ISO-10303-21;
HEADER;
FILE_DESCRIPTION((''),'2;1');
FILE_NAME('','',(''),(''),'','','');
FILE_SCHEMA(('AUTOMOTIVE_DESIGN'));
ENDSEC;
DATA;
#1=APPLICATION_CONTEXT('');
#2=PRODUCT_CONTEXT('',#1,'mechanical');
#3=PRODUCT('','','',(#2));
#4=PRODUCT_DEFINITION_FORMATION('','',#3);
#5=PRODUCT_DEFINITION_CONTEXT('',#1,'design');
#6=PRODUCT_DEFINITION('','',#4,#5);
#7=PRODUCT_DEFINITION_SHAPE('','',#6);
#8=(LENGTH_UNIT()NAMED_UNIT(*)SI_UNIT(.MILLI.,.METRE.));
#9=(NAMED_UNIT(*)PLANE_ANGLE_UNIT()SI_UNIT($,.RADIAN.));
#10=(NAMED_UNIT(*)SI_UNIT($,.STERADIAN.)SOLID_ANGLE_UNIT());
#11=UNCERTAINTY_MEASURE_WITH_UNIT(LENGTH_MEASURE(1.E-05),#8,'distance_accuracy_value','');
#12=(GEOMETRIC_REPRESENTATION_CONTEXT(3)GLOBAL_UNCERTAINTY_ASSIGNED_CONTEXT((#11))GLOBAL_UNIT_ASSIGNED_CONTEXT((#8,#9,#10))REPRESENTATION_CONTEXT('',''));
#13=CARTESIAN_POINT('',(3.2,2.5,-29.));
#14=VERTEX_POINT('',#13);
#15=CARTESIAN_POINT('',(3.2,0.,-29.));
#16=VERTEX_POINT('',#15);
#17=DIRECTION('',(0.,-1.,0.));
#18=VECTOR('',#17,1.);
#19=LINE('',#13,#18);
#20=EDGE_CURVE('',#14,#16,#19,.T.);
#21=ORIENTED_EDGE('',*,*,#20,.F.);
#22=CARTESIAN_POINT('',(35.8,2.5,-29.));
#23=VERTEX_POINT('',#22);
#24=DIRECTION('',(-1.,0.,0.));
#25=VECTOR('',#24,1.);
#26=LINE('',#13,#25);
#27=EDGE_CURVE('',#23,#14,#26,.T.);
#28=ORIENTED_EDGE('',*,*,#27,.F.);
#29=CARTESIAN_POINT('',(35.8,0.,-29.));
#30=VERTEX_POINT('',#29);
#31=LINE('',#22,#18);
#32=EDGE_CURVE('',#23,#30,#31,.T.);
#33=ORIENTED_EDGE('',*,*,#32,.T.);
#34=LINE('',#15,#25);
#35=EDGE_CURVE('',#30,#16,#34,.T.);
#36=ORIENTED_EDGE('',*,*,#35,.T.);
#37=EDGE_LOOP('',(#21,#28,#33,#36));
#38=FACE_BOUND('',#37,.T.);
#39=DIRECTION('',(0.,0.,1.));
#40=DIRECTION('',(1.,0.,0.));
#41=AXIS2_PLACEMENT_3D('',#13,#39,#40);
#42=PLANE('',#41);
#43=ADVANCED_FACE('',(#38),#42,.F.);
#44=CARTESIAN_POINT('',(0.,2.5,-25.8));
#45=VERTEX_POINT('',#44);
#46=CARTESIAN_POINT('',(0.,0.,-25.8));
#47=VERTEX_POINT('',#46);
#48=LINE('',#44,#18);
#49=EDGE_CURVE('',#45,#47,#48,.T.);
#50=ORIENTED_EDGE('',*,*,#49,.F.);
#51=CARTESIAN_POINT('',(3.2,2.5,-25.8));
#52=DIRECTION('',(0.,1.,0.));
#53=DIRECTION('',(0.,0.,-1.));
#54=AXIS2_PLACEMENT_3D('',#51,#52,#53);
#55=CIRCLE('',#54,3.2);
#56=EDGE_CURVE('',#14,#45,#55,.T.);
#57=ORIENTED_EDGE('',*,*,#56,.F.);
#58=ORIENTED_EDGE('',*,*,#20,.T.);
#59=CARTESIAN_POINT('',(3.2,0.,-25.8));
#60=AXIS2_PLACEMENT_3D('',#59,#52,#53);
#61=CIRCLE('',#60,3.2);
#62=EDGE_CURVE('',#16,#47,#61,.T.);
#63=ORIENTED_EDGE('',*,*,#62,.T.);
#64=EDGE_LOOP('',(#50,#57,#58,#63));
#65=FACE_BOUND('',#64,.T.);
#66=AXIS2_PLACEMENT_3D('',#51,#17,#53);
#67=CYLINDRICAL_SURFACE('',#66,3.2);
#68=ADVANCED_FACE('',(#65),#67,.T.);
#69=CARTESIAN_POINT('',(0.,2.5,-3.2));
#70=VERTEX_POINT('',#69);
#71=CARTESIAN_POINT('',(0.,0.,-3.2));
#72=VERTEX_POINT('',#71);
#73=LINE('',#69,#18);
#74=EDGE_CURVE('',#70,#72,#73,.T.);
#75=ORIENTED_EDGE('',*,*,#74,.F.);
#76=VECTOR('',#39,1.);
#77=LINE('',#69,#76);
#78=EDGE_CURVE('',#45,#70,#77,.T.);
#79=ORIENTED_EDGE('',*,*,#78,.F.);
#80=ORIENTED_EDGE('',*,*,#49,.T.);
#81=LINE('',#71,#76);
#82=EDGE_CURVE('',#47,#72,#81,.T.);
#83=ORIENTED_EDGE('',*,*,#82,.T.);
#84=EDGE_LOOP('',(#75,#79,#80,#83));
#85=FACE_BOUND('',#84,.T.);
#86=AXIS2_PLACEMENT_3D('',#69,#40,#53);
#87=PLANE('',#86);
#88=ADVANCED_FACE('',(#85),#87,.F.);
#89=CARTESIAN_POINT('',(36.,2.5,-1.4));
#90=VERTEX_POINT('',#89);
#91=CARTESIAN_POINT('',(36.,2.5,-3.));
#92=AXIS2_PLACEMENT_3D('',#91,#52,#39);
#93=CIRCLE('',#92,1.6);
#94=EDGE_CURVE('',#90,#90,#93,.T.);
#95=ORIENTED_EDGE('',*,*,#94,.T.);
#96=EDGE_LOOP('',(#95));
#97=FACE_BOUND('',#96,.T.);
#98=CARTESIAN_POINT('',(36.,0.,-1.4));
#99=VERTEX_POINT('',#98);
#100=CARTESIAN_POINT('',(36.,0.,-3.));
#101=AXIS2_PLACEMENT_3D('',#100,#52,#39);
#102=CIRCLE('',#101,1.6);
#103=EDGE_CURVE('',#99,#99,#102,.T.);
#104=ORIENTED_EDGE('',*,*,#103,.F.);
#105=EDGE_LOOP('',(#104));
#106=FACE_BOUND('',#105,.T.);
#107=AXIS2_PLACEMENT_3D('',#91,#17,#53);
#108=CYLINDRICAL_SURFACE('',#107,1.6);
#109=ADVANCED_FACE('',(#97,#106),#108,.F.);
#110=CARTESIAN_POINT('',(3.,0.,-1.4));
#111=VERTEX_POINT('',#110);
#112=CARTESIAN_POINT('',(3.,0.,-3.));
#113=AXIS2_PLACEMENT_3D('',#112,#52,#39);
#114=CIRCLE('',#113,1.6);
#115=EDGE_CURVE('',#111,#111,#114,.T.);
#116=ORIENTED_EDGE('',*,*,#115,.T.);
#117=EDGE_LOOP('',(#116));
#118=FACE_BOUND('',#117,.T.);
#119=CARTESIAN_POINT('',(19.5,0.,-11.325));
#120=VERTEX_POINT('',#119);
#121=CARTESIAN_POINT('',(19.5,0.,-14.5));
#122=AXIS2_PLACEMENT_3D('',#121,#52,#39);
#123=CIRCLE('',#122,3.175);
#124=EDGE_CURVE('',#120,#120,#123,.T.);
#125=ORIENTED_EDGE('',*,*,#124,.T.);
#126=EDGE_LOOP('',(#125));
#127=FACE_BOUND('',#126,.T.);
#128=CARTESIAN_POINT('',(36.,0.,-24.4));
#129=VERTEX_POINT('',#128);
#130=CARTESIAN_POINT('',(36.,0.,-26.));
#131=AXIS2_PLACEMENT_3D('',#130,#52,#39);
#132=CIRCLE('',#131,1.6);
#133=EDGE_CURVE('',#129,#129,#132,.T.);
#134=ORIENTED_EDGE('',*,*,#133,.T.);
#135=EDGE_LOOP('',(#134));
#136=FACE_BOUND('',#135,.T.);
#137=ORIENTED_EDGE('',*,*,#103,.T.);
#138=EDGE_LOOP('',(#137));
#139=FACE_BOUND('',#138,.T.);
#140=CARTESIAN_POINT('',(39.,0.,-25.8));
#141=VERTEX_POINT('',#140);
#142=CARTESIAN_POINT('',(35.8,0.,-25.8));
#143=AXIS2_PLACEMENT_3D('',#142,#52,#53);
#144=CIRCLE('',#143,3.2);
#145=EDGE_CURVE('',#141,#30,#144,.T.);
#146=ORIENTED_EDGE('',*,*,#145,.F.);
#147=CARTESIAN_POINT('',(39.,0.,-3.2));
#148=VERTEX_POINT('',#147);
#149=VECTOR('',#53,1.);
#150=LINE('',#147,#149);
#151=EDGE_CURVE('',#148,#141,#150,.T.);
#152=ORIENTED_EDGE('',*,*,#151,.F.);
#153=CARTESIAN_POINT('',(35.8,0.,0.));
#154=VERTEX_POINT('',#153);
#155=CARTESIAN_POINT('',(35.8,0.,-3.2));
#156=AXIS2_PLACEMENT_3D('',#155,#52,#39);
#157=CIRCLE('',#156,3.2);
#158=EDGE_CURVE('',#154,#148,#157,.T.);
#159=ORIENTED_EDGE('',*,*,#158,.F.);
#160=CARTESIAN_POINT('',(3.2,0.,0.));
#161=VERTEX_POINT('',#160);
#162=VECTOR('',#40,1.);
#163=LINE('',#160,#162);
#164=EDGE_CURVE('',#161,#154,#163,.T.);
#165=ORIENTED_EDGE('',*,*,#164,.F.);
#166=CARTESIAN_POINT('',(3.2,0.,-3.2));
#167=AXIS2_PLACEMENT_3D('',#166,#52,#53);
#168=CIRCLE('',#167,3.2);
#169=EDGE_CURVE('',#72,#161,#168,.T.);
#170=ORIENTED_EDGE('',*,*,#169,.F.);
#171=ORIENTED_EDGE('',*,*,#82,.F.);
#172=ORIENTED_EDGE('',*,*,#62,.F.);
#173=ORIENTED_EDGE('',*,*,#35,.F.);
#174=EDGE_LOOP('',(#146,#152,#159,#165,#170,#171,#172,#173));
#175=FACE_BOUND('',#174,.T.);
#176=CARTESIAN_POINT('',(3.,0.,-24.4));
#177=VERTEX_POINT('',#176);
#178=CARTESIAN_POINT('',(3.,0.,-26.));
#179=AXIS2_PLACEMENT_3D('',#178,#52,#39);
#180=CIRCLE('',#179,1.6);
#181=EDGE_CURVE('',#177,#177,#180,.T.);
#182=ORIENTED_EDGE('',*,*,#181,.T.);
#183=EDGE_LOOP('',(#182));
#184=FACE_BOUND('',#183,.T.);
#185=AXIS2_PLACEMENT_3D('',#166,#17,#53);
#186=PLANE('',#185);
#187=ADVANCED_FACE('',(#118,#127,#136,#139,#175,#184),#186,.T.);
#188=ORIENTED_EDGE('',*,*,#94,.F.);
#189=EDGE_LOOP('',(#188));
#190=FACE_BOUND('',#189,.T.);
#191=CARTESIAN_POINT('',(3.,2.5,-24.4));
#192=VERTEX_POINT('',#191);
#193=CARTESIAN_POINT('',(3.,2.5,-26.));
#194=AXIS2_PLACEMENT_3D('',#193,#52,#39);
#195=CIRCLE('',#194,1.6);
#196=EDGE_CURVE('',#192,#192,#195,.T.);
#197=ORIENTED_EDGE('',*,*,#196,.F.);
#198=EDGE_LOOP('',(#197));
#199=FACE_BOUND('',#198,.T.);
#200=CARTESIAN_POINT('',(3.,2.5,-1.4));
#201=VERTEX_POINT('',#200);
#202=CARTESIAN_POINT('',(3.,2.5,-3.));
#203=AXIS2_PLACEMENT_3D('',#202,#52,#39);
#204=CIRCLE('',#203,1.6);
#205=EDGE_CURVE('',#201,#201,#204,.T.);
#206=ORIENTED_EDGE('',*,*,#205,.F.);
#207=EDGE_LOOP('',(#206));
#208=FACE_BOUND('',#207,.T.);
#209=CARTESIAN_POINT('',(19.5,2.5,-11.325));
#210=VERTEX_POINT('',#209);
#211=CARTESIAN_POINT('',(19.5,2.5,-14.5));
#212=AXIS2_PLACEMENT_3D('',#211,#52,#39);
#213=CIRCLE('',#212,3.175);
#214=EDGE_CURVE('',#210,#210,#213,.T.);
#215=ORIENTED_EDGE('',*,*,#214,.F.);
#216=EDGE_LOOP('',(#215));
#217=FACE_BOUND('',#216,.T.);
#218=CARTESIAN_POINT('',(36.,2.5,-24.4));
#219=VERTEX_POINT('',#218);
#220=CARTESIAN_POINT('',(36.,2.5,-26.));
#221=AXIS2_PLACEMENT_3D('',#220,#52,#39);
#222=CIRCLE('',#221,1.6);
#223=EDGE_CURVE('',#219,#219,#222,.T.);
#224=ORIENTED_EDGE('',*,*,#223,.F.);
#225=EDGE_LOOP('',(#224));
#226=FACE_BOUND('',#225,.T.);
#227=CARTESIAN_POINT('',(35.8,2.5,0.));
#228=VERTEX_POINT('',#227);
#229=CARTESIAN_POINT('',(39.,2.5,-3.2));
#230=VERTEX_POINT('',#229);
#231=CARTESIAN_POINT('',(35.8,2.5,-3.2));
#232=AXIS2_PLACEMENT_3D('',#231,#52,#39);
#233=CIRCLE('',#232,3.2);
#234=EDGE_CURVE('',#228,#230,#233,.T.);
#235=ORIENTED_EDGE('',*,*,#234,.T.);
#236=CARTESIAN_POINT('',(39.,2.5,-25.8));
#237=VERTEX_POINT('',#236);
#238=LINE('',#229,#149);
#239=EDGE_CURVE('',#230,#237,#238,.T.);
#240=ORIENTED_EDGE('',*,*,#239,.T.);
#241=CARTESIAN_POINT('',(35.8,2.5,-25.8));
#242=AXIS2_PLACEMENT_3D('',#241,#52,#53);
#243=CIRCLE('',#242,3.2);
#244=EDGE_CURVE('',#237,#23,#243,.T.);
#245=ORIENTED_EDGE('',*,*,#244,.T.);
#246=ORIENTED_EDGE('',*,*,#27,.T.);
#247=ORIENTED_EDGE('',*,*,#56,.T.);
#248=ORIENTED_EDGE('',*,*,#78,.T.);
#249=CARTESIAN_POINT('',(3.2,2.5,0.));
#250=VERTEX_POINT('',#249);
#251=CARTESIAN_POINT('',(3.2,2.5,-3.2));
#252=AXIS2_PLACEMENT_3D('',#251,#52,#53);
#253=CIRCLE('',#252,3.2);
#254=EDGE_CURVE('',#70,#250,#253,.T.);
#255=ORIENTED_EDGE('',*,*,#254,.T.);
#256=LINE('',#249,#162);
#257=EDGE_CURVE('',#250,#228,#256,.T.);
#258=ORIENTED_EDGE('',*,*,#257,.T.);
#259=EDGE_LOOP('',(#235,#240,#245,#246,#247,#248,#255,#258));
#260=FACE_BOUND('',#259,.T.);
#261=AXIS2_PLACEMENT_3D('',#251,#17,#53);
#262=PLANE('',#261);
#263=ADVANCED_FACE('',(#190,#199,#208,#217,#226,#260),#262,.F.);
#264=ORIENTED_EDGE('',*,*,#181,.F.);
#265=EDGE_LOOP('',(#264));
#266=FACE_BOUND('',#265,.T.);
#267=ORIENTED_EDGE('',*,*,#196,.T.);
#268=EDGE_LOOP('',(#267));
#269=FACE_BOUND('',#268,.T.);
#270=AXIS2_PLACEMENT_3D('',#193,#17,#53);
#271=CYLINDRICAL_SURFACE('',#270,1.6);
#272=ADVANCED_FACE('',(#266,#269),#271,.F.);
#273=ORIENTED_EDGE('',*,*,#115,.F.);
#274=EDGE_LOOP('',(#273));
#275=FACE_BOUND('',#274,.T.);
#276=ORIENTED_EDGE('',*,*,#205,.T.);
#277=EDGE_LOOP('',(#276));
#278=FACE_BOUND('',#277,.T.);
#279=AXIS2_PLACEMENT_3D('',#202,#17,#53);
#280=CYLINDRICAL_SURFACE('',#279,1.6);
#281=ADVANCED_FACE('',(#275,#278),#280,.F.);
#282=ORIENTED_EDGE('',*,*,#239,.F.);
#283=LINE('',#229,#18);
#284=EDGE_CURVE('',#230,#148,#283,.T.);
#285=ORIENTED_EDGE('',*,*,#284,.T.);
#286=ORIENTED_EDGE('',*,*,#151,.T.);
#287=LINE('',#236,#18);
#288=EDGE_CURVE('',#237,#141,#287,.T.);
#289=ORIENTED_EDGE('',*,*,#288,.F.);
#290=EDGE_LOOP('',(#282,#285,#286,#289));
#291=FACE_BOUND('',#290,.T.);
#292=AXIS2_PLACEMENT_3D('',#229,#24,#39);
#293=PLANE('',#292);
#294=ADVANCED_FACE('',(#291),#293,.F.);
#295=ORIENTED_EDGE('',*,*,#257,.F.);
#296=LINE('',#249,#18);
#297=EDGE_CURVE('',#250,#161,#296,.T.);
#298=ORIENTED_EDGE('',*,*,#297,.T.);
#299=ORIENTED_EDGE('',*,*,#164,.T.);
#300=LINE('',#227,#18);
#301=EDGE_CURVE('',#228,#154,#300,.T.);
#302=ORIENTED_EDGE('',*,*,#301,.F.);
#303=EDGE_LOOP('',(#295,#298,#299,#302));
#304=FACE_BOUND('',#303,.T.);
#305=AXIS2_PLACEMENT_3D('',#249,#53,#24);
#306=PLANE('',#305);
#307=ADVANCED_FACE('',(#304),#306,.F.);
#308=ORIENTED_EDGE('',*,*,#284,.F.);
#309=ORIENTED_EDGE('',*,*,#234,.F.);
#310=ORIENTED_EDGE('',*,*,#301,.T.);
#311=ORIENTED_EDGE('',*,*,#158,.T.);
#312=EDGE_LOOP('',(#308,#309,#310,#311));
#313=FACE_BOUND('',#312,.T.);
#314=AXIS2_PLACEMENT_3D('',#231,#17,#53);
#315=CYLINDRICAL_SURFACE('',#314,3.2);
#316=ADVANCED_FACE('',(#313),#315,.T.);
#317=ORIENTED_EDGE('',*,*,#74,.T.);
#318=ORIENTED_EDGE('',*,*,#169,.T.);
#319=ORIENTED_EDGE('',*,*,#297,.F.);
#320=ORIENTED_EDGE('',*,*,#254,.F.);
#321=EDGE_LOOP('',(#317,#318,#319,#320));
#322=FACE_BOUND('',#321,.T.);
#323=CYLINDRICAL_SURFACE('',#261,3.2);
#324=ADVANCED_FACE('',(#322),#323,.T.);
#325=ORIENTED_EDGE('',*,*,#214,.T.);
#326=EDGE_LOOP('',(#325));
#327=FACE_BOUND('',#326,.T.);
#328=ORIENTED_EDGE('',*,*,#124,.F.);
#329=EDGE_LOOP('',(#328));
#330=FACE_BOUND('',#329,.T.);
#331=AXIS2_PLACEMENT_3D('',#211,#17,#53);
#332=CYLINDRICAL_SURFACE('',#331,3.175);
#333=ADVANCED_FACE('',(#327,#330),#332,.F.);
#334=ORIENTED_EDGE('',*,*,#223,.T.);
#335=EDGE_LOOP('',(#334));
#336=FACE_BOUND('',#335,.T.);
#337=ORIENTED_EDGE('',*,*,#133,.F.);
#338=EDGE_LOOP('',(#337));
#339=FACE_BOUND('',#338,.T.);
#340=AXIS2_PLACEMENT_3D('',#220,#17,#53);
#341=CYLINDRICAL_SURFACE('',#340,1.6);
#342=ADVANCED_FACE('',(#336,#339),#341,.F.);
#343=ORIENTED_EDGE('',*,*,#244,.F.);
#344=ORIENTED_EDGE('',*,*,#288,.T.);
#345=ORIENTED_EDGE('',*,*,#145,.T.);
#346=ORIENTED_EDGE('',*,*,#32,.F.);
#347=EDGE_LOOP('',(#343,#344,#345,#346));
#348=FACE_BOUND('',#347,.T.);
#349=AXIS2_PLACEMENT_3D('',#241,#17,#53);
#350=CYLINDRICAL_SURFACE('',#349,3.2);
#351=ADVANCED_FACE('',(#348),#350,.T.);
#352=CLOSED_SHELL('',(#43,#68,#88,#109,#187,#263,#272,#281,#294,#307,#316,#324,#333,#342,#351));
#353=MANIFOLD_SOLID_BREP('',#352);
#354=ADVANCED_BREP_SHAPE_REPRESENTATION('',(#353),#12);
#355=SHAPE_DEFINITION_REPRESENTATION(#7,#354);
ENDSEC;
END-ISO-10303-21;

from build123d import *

# Parameters (mm, degrees)
SKETCH1_R           = 3.175
SKETCH1_R_2         = 1.6
BOSS_EXTRUDE1_DEPTH = 2.5


with BuildPart() as part:
    # Sketch1 → Boss-Extrude1 (new body)
    with BuildSketch(Plane(origin=(0, 0, 0), x_dir=(1, 0, 0), z_dir=(0, 1, 0))):
        with BuildLine():
            Line((3.2, 0), (35.8, 0))
            ThreePointArc((35.8, 0), (38.0627417, 0.9372583), (39, 3.2))
            Line((39, 3.2), (39, 25.8))
            ThreePointArc((39, 25.8), (38.0627417, 28.0627417), (35.8, 29))
            Line((35.8, 29), (3.2, 29))
            ThreePointArc((3.2, 29), (0.9372583, 28.0627417), (0, 25.8))
            Line((0, 25.8), (0, 3.2))
            ThreePointArc((0, 3.2), (0.9372583, 0.9372583), (3.2, 0))
        make_face()
        with Locations(Location((19.5, 14.5, 0), (0, 0, 270))):
            Circle(SKETCH1_R, mode=Mode.SUBTRACT)
        with Locations(Location((3, 26, 0), (0, 0, 270))):
            Circle(SKETCH1_R_2, mode=Mode.SUBTRACT)
        with Locations(Location((36, 26, 0), (0, 0, 270))):
            Circle(SKETCH1_R_2, mode=Mode.SUBTRACT)
        with Locations(Location((36, 3, 0), (0, 0, 270))):
            Circle(SKETCH1_R_2, mode=Mode.SUBTRACT)
        with Locations(Location((3, 3, 0), (0, 0, 270))):
            Circle(SKETCH1_R_2, mode=Mode.SUBTRACT)
    extrude(amount=BOSS_EXTRUDE1_DEPTH)


solid = part.part
